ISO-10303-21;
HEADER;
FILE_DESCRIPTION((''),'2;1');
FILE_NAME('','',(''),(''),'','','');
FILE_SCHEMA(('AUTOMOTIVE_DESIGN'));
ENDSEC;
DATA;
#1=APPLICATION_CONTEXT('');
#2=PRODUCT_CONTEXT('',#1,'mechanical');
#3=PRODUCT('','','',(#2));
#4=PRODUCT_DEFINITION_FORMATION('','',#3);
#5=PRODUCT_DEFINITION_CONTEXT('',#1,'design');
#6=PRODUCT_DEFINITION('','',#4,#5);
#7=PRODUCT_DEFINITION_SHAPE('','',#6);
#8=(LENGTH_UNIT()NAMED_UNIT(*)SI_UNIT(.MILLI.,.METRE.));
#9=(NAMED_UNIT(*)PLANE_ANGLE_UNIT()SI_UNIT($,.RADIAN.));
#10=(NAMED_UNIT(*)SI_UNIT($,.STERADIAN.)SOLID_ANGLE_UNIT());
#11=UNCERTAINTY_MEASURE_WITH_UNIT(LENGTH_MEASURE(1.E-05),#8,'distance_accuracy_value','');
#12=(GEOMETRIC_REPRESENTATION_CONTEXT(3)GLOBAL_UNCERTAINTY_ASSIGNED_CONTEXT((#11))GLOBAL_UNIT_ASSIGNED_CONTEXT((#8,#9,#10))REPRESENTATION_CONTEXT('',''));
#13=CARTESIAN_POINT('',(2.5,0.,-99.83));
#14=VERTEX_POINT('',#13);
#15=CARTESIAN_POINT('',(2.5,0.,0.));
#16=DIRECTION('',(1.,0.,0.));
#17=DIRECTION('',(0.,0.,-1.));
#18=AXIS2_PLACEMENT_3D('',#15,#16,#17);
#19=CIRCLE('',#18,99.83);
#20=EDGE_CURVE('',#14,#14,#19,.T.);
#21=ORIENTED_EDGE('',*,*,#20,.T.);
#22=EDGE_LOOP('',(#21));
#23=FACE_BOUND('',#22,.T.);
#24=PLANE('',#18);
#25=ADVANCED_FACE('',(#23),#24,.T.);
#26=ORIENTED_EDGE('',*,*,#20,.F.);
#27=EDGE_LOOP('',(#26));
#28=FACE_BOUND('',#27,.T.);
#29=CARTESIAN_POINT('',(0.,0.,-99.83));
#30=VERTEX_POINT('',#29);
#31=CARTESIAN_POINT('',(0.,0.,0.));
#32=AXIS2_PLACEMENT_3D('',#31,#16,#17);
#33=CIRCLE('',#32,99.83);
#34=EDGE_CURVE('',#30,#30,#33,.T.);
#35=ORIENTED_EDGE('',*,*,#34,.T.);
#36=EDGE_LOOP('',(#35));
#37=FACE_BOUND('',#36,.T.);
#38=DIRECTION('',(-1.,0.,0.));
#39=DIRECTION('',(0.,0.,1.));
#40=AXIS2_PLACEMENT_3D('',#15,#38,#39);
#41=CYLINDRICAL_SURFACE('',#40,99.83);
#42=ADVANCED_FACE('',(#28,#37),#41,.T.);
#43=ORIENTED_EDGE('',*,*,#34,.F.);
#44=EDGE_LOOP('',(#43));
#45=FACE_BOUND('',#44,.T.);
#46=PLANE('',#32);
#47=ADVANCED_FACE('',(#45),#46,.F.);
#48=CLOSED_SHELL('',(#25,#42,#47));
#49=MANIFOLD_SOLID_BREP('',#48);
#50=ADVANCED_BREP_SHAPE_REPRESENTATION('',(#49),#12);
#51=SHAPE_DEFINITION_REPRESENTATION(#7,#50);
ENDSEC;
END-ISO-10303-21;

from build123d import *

# Parameters (mm, degrees)
CROQUIS1_R              = 99.83
SALIENTE_EXTRUIR6_DEPTH = 2.5


with BuildPart() as part:
    # Croquis1 → Saliente-Extruir6 (new body)
    with BuildSketch(Plane(origin=(0, 0, 0), x_dir=(0, 0, -1), z_dir=(1, 0, 0))):
        Circle(CROQUIS1_R)
    extrude(amount=SALIENTE_EXTRUIR6_DEPTH)


solid = part.part
